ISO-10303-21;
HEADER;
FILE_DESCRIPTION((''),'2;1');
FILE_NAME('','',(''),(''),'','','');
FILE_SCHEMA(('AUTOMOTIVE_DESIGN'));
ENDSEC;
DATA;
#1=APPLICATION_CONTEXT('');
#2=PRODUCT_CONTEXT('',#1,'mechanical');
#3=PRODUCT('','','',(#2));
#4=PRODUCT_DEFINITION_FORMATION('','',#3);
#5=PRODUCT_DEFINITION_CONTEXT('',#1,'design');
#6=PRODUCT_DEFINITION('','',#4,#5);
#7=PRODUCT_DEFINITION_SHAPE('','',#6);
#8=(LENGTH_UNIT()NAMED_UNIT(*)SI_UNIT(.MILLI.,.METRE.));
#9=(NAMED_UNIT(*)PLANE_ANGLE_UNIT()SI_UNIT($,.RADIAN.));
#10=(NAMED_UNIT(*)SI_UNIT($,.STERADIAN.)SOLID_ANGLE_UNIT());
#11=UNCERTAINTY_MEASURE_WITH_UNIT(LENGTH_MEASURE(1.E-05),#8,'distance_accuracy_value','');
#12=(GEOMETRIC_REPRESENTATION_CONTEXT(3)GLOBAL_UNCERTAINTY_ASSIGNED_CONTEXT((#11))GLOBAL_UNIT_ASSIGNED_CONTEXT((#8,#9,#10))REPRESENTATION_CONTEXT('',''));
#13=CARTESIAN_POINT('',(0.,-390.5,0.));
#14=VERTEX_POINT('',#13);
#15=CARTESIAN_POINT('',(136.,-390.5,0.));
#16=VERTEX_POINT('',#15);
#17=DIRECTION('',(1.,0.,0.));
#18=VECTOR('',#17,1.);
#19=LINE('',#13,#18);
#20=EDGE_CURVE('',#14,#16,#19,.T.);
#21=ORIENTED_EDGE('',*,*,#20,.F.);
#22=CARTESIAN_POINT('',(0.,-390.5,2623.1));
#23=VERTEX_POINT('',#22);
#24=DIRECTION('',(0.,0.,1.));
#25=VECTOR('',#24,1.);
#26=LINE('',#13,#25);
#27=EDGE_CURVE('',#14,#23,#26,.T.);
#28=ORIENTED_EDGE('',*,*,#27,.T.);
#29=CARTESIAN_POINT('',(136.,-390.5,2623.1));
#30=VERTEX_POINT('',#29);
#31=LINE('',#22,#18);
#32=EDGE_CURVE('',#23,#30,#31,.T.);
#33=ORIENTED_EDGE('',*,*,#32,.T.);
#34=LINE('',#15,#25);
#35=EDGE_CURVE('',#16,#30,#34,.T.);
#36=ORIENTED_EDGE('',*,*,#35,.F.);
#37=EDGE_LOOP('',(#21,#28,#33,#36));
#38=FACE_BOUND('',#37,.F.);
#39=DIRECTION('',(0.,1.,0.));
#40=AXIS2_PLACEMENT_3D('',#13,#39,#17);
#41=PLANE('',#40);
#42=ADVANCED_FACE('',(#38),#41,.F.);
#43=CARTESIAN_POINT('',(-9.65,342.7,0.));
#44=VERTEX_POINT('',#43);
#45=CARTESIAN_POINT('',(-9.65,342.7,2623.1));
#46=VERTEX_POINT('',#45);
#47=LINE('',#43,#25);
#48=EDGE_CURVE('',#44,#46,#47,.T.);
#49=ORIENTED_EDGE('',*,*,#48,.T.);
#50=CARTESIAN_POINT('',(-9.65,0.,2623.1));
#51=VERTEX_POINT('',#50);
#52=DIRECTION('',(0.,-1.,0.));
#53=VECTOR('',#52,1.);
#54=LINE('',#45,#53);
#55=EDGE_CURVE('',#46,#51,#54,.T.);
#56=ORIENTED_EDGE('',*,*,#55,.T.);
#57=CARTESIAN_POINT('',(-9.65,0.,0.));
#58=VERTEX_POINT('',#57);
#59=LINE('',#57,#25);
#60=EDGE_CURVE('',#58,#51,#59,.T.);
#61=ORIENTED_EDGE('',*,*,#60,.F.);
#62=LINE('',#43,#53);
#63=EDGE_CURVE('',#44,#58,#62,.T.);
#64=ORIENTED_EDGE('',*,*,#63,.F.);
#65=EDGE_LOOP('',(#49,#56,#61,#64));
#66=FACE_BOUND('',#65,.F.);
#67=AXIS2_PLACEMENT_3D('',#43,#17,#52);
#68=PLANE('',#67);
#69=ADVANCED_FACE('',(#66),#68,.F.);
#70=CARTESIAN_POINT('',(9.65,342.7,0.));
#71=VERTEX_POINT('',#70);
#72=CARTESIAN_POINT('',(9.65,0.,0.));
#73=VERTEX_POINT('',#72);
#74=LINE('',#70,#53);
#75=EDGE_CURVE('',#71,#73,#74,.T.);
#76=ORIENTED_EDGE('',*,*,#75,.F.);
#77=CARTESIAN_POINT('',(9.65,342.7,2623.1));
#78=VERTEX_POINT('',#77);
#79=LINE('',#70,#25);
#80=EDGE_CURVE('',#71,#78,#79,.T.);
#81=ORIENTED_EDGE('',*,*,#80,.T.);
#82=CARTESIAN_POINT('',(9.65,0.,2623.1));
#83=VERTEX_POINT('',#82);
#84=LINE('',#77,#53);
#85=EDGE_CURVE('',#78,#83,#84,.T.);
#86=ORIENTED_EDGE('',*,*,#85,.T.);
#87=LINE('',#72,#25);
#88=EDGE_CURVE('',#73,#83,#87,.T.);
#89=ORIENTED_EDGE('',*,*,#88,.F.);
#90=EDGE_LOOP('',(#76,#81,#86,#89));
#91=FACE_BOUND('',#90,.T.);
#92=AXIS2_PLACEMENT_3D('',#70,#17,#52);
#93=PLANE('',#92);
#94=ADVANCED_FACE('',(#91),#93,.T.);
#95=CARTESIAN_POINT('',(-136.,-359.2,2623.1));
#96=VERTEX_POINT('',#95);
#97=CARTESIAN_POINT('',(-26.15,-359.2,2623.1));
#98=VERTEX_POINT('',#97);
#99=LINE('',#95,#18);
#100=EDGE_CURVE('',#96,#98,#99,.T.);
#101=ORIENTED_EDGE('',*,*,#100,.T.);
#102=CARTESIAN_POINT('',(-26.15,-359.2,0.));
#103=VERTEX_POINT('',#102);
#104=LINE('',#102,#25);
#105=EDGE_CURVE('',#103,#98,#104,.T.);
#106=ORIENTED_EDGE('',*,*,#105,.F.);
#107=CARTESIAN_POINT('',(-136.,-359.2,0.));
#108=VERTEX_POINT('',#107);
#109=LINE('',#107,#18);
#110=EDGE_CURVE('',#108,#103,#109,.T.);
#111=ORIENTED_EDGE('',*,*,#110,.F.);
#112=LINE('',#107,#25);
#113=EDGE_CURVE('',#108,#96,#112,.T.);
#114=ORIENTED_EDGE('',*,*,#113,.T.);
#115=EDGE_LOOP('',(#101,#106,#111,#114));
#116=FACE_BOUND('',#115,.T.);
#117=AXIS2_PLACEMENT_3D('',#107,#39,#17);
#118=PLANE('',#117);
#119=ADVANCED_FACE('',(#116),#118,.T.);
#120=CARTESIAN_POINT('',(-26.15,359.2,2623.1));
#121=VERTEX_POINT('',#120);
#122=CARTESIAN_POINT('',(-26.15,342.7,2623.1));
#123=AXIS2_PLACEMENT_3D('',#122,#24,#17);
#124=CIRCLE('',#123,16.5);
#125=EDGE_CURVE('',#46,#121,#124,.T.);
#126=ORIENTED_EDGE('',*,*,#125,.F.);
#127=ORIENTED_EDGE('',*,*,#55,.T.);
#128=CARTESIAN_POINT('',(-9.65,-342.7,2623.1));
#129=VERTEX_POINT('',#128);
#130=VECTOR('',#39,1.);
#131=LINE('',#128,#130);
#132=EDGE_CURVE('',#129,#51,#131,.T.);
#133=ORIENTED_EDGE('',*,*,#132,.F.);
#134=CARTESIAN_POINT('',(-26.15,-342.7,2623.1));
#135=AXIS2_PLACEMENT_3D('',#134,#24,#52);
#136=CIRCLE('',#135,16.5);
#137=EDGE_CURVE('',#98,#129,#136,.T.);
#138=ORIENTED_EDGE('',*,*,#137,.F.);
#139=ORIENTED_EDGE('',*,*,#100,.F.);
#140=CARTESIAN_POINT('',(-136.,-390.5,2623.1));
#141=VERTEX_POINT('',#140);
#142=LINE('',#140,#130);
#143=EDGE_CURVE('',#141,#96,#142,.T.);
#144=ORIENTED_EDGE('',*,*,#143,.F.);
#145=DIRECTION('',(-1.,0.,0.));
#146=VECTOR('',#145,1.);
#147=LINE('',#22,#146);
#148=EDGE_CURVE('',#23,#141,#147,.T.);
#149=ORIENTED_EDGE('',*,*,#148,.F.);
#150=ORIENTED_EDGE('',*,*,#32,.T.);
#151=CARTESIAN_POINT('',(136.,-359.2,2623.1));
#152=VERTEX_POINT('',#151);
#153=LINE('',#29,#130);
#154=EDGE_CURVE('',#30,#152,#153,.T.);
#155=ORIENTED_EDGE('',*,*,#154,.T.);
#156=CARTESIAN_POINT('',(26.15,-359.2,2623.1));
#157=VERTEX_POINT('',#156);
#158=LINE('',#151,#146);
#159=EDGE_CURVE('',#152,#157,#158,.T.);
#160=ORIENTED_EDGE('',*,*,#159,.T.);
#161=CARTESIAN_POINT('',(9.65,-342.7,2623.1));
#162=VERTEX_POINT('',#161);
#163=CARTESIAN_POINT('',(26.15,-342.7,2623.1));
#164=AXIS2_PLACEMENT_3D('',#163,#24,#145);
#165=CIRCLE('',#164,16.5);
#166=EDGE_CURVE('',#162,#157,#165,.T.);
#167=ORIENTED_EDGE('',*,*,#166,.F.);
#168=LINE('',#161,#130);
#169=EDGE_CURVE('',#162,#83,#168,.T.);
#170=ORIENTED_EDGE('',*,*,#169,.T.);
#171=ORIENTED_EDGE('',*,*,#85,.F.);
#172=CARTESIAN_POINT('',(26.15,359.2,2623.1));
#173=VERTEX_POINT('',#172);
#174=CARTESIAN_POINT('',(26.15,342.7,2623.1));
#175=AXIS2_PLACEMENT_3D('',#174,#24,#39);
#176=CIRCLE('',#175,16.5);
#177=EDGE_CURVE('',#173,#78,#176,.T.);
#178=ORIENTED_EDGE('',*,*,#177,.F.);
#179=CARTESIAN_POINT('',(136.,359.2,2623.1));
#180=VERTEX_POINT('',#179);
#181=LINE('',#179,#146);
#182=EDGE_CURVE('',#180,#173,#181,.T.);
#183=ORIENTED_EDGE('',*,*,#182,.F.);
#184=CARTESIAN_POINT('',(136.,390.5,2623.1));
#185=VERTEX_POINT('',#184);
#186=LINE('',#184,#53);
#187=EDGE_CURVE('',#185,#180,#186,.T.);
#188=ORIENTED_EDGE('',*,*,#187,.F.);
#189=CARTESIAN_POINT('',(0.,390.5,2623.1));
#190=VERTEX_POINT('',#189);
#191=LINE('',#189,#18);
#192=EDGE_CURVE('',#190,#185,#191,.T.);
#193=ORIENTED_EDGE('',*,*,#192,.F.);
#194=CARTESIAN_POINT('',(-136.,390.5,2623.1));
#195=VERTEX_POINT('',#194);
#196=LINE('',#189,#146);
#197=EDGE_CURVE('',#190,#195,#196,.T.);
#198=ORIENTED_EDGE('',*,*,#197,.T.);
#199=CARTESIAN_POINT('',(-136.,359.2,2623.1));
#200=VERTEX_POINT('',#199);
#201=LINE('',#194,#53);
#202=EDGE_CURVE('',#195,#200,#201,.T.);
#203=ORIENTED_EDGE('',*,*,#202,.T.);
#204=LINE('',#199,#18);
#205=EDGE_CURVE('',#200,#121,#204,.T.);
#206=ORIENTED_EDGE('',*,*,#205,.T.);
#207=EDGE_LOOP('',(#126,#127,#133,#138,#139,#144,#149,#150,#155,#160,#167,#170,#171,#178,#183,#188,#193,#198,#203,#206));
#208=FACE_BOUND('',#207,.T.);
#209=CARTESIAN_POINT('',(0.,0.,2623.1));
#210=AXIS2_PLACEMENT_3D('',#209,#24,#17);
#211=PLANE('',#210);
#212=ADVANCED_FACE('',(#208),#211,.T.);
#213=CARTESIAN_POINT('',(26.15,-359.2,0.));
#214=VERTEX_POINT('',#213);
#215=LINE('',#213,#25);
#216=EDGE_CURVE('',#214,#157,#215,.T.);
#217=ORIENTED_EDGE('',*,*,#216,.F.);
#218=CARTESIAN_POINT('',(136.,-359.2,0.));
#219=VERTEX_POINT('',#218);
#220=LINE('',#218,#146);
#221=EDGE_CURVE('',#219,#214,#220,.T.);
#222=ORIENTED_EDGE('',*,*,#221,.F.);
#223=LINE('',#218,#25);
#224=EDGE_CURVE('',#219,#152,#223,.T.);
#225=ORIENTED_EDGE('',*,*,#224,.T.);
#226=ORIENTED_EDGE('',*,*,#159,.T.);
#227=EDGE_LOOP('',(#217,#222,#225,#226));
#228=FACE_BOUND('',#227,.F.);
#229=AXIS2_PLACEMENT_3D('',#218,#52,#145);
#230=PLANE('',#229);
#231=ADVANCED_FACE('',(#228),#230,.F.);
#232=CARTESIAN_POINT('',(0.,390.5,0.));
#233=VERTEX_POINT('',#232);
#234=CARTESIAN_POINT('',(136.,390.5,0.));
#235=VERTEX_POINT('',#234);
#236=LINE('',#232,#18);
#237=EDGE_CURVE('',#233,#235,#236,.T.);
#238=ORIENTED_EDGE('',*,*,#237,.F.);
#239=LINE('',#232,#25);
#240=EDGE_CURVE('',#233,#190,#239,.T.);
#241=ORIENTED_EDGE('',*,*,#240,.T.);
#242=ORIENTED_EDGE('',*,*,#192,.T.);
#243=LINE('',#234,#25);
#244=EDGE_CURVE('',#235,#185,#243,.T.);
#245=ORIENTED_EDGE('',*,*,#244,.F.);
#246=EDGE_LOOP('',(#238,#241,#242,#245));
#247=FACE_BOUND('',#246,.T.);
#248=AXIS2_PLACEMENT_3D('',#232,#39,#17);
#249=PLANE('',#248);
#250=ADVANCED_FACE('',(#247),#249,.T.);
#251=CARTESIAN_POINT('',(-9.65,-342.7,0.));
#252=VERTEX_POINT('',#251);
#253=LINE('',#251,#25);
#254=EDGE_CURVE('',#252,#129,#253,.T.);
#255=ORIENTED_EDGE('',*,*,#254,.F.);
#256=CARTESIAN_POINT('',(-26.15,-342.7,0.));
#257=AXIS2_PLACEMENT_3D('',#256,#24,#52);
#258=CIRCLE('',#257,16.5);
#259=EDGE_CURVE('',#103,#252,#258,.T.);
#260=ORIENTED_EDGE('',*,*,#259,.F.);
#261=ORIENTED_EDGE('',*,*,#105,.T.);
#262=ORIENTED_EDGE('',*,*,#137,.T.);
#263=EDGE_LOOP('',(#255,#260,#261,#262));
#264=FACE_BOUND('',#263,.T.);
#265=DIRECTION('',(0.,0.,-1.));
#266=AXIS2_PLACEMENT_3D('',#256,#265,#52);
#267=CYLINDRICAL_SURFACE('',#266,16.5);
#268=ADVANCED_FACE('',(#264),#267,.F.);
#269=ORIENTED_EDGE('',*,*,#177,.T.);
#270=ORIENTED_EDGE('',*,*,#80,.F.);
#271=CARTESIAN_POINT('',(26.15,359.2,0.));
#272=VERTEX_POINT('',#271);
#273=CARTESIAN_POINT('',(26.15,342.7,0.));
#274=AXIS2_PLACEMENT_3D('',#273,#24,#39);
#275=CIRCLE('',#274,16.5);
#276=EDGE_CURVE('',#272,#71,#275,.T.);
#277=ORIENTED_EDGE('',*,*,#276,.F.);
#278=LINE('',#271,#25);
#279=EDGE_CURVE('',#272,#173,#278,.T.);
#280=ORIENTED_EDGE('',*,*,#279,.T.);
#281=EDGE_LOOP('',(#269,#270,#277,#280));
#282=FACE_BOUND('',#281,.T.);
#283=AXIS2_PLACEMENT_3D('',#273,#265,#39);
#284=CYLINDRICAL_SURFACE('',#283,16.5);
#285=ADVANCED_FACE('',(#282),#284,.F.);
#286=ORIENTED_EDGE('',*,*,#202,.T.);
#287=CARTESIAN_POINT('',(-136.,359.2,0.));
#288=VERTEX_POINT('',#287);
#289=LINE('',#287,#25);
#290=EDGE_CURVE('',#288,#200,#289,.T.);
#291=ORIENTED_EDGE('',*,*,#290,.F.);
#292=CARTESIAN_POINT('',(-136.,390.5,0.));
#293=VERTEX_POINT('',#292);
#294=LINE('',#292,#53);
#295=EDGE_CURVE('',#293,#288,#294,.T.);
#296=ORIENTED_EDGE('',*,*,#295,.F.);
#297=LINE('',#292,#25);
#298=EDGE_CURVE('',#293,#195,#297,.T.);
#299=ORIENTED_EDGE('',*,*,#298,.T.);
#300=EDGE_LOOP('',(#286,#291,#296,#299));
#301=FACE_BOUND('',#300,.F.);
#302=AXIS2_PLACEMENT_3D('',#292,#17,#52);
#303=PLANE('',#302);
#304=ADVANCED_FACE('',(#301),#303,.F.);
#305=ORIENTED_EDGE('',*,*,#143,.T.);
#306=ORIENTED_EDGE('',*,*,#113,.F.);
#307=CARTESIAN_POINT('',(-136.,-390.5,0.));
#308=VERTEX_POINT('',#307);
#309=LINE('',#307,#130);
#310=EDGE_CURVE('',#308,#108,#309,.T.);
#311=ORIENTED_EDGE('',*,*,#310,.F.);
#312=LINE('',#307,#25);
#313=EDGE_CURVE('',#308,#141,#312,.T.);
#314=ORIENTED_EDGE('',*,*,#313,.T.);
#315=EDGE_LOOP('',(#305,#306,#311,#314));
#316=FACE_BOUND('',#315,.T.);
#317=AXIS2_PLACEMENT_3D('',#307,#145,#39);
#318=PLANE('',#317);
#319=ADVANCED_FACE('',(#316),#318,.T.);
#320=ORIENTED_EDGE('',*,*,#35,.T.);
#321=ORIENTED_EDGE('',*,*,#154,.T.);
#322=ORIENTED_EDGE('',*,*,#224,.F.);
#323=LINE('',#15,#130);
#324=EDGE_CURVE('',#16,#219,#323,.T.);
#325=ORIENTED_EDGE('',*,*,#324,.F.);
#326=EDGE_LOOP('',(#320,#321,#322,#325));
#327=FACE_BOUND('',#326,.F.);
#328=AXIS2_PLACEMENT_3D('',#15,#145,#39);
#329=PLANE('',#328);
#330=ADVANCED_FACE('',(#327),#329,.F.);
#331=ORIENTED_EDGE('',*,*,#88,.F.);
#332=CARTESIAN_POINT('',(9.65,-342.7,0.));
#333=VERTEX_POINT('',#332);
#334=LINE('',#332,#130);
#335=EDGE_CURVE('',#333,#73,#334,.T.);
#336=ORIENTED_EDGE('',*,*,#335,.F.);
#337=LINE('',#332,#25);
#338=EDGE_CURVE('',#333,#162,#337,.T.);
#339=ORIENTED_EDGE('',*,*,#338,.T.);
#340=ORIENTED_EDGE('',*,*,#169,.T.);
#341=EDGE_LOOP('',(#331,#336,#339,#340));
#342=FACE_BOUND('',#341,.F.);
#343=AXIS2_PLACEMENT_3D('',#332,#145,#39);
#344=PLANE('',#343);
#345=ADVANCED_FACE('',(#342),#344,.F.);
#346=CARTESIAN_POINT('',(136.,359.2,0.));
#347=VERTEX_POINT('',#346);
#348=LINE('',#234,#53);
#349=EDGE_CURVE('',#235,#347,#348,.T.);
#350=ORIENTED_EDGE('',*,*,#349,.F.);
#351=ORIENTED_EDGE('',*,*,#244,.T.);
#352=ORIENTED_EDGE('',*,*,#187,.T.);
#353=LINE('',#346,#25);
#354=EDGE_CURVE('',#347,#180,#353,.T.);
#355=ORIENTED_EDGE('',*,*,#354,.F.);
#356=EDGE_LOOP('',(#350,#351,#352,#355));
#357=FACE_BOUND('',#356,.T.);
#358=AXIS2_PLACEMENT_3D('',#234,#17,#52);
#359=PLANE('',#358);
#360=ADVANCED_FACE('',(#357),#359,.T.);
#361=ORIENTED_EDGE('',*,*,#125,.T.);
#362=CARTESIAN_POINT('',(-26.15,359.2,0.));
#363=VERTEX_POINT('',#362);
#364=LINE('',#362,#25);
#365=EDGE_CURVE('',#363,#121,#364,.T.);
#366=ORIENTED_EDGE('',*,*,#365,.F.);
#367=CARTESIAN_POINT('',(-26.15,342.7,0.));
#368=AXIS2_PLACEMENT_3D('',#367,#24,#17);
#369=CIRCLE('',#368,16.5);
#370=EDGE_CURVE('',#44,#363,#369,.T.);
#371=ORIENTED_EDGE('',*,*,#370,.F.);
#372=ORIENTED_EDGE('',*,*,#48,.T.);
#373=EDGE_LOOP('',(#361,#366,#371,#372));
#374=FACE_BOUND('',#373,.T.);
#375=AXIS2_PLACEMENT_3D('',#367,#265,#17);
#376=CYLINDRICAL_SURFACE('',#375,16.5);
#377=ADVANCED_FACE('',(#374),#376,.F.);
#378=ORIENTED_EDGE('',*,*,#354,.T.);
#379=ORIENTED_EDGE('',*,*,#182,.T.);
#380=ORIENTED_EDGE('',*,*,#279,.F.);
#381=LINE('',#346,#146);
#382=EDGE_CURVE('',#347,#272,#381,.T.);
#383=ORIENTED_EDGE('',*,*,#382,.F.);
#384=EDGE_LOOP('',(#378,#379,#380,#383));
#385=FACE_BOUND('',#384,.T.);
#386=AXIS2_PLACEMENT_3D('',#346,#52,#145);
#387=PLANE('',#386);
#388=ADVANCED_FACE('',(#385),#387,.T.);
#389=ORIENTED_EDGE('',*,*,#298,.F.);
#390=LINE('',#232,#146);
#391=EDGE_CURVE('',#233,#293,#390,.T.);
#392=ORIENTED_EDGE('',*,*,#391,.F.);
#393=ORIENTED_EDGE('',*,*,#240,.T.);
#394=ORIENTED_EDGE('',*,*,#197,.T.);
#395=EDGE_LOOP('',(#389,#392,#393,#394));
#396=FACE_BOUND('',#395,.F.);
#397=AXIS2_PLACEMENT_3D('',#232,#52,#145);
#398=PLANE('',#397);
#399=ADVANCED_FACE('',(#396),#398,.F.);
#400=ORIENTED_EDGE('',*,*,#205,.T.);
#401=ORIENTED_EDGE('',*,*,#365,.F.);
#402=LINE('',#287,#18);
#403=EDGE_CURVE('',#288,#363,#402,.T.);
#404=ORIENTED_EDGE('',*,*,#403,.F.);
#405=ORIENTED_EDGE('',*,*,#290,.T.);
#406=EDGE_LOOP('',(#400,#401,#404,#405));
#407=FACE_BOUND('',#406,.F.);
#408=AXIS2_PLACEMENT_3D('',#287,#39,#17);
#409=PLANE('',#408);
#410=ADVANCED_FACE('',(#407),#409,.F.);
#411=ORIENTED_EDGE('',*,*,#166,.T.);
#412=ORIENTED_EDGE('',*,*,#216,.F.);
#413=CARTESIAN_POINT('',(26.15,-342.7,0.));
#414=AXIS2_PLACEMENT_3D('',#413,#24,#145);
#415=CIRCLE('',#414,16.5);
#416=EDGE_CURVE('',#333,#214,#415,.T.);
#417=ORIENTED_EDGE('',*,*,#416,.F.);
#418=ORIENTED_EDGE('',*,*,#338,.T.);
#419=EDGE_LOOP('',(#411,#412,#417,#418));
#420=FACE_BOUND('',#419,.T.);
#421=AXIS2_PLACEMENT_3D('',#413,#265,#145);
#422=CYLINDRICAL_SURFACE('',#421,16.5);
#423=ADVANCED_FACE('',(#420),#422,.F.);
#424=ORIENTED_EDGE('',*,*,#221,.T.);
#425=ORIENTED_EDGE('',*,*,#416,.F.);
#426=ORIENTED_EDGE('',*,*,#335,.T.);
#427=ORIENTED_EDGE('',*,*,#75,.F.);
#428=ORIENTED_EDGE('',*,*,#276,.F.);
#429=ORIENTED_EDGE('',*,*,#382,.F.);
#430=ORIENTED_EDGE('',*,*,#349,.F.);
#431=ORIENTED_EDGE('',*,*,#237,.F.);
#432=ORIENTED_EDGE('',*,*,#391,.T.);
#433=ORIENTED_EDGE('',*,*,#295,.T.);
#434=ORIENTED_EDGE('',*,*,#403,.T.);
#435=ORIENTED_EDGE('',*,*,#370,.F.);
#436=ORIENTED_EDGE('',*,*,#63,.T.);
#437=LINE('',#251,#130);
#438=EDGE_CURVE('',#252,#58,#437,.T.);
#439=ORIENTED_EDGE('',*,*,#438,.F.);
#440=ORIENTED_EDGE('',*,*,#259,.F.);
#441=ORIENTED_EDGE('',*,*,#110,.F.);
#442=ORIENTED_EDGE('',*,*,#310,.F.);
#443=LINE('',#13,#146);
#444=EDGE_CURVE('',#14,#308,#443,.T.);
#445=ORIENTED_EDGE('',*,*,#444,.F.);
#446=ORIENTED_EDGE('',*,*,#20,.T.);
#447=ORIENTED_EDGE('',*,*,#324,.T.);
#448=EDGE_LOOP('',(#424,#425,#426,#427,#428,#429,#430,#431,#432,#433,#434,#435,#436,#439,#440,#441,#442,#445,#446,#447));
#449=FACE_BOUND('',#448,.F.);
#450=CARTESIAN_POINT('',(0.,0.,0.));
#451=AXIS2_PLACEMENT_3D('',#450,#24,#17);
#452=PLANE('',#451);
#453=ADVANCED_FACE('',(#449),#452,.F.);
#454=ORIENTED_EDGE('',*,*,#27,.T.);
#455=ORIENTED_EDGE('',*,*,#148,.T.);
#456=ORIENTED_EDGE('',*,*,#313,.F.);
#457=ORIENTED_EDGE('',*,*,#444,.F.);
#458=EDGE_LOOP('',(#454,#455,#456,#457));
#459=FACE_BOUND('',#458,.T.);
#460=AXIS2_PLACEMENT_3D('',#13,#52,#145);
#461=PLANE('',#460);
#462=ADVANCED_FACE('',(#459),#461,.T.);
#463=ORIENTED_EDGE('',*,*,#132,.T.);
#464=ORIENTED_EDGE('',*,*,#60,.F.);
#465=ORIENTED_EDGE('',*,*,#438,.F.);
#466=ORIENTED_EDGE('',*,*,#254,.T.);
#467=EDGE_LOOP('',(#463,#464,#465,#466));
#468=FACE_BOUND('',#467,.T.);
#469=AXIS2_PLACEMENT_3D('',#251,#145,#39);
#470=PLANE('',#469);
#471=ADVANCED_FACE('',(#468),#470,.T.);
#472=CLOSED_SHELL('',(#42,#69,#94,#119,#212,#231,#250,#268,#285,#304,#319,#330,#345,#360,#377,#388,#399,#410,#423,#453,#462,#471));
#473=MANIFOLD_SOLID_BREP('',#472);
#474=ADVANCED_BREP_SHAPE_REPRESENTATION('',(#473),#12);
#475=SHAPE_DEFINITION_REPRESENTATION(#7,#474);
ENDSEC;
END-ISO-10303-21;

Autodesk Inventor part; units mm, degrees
ref_plane "YZ Plane" through (0, 0, 0) normal (1, 0, 0) x (0, 1, 0)
ref_plane "Start plane" through (0, 0, 0) normal (0, 0, 1) x (1, 0, 0)
ref_plane "End plane" through (0, 0, 2623.1) normal (0, 0, 1) x (1, 0, 0)
sketch "Sketch" plane through (0, 0, 0) normal (0, 0, 1) x (1, 0, 0)
  line L0 (-136, -390.5) -> (-136, -359.2)
  line L1 (-136, -359.2) -> (-26.15, -359.2)
  line L2 (-9.65, -342.7) -> (-9.65, 0)
  line L3 (-9.65, 0) -> (0, 0) construction
  line L4 (0, 0) -> (0, -390.5) construction
  line L5 (0, -390.5) -> (-136, -390.5)
  line L6 (-60, 0) -> (80, 0) construction
  line L7 (0, -60) -> (0, 80) construction
  line L8 (136, -390.5) -> (136, -359.2)
  line L9 (136, -359.2) -> (26.15, -359.2)
  line L10 (9.65, -342.7) -> (9.65, 0)
  line L11 (9.65, 0) -> (0, 0) construction
  line L12 (0, -390.5) -> (136, -390.5)
  line L13 (-136, 390.5) -> (-136, 359.2)
  line L14 (-136, 359.2) -> (-26.15, 359.2)
  line L15 (-9.65, 342.7) -> (-9.65, 0)
  line L16 (0, 390.5) -> (-136, 390.5)
  line L17 (136, 390.5) -> (136, 359.2)
  line L18 (136, 359.2) -> (26.15, 359.2)
  line L19 (0, 390.5) -> (136, 390.5)
  line L20 (9.65, 342.7) -> (9.65, 0)
  arc A0 (-9.65, 342.7) -> (-26.15, 359.2) centre (-26.15, 342.7) ccw
  arc A1 (26.15, 359.2) -> (9.65, 342.7) centre (26.15, 342.7) ccw
  arc A2 (9.65, -342.7) -> (26.15, -359.2) centre (26.15, -342.7) ccw
  arc A3 (-26.15, -359.2) -> (-9.65, -342.7) centre (-26.15, -342.7) ccw
  line L21 (0, 108) -> (0, -88) construction
  line L22 (-88, 0) -> (108, 0) construction
  point P0 (-9.65, -359.2)
  point P1 (9.65, -359.2)
  point P2 (-9.65, 359.2)
  point P3 (9.65, 359.2)
  dimension "d1" = 390.5
  dimension "d2" = 31.3
  dimension "d3" = 136
  dimension "d4" = 9.65
  dimension "d10" = 16.5
extrude "Body" add sketch "Sketch" along normal up to surface (2623.1 mm away) from surface at 0
sketch "Sketch4" plane through (0, 0, 0) normal (0, 0, 1) x (1, 0, 0)
  line L0 (0, 0) -> (10, 0)
ref_plane "Work Plane3" through (0, 0, 0) normal (0, -1, 0) x (1, 0, 0)
sketch "Sketch5" plane through (0, 0, 0) normal (0, -1, 0) x (1, 0, 0)
  line L0 (-2, 0) -> (12, 0) projected
  line L1 (-2, 2623.1) -> (12, 2623.1) projected
  dimension "d14" = 2623.1
equation "\"d1\" = 0.5 * G_H"
equation "\"d2\" = G_T1"
equation "\"d3\" = 0.5 * G_W"
equation "\"d4\" = 0.5 * G_T"
equation "\"d10\" = G_IR"
equation "\"d5\" = G_L"
equation "\"G_W\" = 272"
equation "\"G_H\" = 781"
equation "\"G_T\" = 19.3"
equation "\"G_T1\" = 31.3"
equation "\"G_IR\" = 16.5"
equation "\"G_L\" = d14"
equation "\"G_OFFSET_START\" = 0"
equation "\"G_OFFSET_END\" = 0"
equation "\"d12\" = G_OFFSET_END + B_L"
equation "\"B_L\" = 2623.1"
properties part number "AS 3679-1990 - 760 UB - 244 - 2623.1" material "Steel, Mild"
